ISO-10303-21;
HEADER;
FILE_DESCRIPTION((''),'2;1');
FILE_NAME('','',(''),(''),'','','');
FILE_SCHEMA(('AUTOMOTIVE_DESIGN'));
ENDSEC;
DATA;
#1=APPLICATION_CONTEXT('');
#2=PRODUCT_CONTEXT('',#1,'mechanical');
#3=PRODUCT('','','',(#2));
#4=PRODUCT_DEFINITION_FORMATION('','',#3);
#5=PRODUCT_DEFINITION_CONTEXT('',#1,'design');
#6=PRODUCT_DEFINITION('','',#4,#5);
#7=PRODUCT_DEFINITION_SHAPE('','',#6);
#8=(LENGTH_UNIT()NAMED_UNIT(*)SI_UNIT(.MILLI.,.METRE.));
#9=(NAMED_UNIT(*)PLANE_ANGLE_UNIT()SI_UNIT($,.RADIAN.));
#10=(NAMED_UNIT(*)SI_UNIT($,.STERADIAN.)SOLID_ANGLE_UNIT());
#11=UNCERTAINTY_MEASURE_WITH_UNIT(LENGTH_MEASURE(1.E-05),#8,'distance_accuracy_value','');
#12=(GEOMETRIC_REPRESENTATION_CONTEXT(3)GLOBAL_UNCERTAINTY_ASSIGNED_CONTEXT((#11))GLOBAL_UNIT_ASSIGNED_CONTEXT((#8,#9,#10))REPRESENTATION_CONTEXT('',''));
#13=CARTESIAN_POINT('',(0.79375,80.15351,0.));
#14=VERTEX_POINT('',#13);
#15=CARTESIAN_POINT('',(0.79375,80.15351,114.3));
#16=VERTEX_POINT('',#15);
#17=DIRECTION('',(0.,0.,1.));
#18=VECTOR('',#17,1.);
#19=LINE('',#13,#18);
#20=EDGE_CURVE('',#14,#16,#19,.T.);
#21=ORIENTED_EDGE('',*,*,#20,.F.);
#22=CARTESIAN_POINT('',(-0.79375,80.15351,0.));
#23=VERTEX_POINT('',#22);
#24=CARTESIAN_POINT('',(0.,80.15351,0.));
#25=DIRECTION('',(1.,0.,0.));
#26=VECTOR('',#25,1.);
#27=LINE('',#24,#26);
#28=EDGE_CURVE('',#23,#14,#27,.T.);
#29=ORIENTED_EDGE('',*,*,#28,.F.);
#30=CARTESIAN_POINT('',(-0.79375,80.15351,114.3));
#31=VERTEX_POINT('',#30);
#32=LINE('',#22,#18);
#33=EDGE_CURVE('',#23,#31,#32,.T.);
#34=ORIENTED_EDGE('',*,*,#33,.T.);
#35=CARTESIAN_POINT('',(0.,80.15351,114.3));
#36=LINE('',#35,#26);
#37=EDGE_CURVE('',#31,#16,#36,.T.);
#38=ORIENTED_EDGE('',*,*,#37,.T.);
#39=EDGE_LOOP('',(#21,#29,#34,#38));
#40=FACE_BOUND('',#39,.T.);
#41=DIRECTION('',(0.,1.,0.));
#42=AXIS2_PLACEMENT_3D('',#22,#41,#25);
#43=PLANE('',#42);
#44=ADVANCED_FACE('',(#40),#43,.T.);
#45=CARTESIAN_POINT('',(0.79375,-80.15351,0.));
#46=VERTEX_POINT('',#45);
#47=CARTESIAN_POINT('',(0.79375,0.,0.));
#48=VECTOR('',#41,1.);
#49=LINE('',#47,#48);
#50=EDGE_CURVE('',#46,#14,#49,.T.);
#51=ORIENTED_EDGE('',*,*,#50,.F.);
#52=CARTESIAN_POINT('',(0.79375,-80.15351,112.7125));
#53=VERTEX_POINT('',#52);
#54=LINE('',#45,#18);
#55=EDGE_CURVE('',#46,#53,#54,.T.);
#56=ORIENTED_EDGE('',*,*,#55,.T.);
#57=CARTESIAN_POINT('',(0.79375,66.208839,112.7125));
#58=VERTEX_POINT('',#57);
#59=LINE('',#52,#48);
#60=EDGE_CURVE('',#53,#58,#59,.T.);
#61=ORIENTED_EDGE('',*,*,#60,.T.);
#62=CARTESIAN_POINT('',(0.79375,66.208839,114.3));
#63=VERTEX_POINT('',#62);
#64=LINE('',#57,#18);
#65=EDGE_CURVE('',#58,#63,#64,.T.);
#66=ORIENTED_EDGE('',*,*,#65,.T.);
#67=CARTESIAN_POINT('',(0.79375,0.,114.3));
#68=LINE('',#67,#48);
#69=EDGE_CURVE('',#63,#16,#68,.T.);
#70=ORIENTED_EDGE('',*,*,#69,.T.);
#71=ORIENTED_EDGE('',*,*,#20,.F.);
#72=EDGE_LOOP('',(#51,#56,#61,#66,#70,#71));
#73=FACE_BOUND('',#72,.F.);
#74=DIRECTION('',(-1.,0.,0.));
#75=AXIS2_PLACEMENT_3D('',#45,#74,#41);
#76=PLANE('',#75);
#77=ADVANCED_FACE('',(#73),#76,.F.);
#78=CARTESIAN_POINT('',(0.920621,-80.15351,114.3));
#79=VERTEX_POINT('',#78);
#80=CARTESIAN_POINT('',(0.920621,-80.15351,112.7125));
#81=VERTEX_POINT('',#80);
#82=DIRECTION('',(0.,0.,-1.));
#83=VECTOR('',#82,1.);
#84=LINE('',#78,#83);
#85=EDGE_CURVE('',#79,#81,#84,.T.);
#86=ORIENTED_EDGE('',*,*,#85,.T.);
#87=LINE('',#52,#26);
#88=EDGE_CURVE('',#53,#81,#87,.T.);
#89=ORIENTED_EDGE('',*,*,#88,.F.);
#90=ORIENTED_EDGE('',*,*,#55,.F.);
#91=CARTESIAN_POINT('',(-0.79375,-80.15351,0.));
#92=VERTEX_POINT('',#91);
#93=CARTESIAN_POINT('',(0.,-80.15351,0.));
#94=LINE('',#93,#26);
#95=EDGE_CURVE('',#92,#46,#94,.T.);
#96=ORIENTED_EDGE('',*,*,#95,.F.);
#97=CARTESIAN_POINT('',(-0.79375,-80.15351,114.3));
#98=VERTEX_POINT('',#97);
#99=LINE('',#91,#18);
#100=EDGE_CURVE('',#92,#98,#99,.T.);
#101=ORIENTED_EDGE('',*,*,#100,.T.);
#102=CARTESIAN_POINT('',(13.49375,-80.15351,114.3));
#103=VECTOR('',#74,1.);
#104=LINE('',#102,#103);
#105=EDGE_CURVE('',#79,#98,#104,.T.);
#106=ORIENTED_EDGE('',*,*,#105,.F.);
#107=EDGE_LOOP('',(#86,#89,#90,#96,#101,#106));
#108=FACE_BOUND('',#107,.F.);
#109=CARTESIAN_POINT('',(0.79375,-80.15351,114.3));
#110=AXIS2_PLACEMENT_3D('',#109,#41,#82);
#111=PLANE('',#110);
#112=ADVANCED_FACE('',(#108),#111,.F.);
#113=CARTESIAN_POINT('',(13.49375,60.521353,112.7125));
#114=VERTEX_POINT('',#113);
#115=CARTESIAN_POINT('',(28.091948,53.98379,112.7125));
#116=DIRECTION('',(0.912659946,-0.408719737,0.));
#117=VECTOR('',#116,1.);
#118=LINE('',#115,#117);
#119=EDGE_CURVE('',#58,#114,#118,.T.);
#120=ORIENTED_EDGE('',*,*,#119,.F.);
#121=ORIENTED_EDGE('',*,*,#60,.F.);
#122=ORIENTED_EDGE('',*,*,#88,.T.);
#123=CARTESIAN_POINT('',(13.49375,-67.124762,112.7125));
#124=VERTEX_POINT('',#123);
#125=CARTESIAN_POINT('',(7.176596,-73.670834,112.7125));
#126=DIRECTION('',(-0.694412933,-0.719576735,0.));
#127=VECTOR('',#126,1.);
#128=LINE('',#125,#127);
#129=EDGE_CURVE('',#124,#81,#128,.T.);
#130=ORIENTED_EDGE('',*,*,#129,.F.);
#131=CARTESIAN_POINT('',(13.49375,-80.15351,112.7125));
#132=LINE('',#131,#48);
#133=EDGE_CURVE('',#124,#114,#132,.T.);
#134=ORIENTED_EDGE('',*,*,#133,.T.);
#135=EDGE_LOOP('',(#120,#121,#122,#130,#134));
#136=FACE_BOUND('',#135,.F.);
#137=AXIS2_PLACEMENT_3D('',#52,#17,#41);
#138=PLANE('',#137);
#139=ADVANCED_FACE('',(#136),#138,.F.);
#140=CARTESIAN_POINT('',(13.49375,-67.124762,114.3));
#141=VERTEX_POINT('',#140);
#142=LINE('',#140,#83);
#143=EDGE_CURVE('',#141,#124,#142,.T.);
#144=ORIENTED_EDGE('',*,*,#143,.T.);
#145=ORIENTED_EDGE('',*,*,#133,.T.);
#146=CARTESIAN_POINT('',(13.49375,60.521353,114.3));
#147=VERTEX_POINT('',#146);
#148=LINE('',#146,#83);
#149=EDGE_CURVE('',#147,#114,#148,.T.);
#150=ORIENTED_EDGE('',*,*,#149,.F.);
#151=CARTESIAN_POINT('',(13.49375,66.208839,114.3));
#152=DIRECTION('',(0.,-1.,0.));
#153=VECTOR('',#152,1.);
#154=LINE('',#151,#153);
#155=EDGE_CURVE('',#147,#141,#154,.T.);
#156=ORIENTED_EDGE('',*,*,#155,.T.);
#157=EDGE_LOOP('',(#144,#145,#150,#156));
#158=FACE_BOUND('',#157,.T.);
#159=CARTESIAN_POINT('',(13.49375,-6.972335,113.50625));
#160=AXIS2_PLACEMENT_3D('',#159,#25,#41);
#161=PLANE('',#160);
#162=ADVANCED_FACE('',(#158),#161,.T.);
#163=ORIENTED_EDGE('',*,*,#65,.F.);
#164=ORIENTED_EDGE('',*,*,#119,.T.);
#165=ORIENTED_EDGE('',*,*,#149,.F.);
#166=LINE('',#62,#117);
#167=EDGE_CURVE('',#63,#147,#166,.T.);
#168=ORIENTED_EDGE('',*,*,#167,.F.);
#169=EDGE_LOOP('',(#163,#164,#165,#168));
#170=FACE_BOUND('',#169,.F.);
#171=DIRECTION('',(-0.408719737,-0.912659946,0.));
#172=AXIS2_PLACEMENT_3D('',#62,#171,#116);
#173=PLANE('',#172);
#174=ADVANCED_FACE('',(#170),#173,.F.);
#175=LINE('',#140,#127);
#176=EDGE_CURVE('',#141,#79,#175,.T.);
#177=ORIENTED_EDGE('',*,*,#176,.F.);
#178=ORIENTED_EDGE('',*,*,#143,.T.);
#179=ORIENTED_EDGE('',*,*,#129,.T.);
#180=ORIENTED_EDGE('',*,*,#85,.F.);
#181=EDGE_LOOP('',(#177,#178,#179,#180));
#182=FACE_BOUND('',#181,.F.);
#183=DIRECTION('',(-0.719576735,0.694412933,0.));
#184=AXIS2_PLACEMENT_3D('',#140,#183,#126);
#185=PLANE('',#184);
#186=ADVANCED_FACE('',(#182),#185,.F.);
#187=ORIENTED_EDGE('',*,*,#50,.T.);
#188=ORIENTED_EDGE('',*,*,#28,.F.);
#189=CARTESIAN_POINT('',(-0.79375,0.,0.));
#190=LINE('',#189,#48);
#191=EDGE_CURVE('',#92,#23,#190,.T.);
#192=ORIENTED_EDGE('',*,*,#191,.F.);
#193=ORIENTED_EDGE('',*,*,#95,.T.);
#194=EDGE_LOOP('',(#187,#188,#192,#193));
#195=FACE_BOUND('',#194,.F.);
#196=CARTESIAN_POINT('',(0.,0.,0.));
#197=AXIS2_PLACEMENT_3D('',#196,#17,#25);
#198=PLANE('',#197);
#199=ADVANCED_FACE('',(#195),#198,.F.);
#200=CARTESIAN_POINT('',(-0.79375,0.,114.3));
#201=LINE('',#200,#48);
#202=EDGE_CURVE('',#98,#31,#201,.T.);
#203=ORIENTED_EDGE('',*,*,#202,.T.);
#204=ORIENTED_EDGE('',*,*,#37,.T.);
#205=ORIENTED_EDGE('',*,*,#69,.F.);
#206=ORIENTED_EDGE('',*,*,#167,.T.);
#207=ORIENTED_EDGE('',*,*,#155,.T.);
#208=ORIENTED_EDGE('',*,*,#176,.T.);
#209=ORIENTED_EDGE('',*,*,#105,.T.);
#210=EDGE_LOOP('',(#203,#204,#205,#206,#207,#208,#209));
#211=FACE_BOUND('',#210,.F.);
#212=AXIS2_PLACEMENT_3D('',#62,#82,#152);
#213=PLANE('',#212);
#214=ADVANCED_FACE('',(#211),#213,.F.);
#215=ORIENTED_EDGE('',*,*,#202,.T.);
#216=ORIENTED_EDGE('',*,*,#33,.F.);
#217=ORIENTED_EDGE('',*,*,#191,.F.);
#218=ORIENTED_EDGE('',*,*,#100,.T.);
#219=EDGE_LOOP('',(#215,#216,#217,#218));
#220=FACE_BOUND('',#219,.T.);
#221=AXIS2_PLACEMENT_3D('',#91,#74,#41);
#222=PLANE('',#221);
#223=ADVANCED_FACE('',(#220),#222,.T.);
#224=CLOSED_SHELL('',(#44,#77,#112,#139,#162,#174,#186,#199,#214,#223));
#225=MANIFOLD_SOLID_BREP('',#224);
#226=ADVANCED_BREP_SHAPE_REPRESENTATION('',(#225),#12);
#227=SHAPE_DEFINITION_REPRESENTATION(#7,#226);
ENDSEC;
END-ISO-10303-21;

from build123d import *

# Parameters (mm, degrees)
F0_W     = 1.5875
F0_H     = 160.30702
F1_DEPTH = 114.3
F3_DEPTH = 12.7
F5_DEPTH = 25.4


with BuildPart() as f1:
    # F0 (on Top) → F1 (new body)
    with BuildSketch(Plane.XY):
        Rectangle(F0_W, F0_H)
    extrude(amount=F1_DEPTH)

    # F2 (on face) → F3 (join)
    with BuildSketch(Plane.YZ.offset(0.79375)):
        Polygon((65.664738, 114.3), (-80.15351, 114.3), (-80.15351, 112.7125), (65.664738, 112.7125), (66.208839, 112.7125), (66.208839, 114.3), align=None)
    extrude(amount=F3_DEPTH)

    # F4 (on face) → F5 (cut)
    with BuildSketch(Plane.XY.offset(114.3)):
        Polygon((13.49375, 66.208839), (0.79375, 66.208839), (13.49375, 60.521353), align=None)
        Polygon((13.49375, -67.124762), (0.920621, -80.15351), (13.49375, -80.15351), align=None)
    extrude(amount=-F5_DEPTH, mode=Mode.SUBTRACT)


solid = f1.part
